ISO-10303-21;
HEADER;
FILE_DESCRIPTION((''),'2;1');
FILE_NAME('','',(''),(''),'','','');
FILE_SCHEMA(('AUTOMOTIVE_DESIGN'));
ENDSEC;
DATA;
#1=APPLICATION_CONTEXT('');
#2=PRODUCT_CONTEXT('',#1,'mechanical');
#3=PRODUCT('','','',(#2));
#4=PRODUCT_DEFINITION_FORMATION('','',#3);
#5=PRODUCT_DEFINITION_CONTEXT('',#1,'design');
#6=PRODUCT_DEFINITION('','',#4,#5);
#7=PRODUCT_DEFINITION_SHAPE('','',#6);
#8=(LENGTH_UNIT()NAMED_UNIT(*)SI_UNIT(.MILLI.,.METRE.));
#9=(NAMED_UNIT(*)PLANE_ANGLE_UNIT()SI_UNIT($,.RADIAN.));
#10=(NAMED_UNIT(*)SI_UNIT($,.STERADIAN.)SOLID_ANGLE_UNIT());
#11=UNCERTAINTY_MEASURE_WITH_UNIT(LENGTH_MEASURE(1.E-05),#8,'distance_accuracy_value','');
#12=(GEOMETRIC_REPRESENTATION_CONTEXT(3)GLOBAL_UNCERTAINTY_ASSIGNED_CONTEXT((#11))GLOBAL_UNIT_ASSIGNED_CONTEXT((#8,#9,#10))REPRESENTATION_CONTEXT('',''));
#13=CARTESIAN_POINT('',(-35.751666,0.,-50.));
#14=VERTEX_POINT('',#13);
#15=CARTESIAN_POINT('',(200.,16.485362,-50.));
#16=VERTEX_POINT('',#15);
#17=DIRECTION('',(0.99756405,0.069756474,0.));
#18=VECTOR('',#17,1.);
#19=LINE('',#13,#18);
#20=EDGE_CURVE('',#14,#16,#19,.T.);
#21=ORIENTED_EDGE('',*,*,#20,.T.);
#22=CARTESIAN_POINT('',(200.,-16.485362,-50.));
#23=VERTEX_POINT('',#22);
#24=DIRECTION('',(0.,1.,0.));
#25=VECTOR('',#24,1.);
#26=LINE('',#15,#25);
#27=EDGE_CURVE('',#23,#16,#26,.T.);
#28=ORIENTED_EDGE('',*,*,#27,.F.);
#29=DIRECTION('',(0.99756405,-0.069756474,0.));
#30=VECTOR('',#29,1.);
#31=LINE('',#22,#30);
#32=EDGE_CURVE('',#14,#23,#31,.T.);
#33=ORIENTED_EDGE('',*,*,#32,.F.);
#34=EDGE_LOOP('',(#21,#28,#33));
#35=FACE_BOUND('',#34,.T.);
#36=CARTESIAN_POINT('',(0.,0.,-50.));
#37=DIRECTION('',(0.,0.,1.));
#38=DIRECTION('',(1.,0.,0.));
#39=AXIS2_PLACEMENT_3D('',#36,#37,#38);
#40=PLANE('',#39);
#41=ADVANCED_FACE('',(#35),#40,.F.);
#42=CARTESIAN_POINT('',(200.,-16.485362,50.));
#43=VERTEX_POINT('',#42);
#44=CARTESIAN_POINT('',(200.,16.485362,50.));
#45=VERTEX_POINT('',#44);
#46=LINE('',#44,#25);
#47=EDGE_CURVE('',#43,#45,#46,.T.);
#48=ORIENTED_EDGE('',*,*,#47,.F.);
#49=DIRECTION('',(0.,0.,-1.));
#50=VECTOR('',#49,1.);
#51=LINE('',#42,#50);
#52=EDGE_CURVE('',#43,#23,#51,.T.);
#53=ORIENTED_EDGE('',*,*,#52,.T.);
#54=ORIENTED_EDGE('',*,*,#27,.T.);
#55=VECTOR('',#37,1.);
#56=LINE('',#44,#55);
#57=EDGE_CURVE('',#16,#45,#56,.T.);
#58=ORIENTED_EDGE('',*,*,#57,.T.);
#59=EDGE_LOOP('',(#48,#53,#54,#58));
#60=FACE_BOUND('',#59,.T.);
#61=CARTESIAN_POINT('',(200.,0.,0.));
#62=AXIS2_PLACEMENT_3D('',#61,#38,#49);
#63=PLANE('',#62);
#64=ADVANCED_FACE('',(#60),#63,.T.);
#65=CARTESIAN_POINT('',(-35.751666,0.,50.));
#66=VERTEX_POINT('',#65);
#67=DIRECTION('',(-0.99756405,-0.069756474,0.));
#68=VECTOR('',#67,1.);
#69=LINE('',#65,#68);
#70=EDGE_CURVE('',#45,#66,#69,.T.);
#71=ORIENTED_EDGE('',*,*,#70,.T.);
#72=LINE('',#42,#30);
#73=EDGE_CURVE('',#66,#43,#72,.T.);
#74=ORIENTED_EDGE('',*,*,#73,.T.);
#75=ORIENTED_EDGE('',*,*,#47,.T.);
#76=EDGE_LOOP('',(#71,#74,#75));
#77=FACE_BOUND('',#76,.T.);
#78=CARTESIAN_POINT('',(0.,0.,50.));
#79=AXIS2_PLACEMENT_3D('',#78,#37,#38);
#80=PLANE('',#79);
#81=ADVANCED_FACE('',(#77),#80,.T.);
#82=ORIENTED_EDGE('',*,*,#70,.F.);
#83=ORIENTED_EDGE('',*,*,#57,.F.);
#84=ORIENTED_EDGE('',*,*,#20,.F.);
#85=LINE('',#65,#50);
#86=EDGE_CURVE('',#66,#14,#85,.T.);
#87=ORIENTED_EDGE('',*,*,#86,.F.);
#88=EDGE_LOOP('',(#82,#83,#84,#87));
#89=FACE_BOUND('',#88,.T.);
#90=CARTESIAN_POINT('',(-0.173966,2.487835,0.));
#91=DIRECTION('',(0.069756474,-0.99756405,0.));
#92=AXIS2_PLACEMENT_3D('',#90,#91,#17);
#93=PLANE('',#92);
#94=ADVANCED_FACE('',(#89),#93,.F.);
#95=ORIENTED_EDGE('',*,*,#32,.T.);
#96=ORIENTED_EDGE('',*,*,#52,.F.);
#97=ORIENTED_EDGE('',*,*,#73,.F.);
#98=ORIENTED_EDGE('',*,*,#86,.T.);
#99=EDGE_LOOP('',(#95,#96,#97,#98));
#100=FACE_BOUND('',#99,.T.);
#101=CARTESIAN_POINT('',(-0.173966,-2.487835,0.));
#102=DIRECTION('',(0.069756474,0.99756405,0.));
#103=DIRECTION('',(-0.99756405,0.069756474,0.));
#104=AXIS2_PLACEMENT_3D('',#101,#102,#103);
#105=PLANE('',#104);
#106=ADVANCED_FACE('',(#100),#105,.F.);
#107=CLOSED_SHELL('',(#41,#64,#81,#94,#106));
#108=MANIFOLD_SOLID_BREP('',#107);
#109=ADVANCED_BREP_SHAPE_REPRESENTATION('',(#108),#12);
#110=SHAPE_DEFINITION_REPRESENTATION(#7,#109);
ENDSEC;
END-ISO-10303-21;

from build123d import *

# Parameters (mm, degrees)
SKETCH2_W = 236.327347182
SKETCH2_H = 100
SKETCH3_W = 236.327347182
SKETCH3_H = 100
SKETCH4_W = 100
SKETCH4_H = 32.970724778


with BuildPart() as body_1:
    # Sketch2 → Surface-Plane1: a flat surface bounded by the sketch
    with BuildSketch(Plane(origin=(-0.173966376, 2.487835086, 0), x_dir=(0.9975640502598243, 0.06975647374412548, 0), z_dir=(0.06975647374412547, -0.9975640502598242, 0)), mode=Mode.PRIVATE) as surface_plane1_1_region:
        with Locations((82.49909721, 0)):
            Rectangle(SKETCH2_W, SKETCH2_H)
    surface_plane1_1 = surface_plane1_1_region.sketch.faces()[0]
    # Sketch7 → Surface-Plane3: a flat surface bounded by the sketch
    with BuildSketch(Plane.XY.offset(50), mode=Mode.PRIVATE) as surface_plane3_2_region:
        Polygon((-35.751665642, 0), (200, 16.485362389), (200, -16.485362389), align=None)
    surface_plane3_2 = surface_plane3_2_region.sketch.faces()[0]
    # Sketch3 → Surface-Plane2: a flat surface bounded by the sketch
    with BuildSketch(Plane(origin=(-0.173966376, -2.487835086, 0), x_dir=(0.9975640502598243, -0.06975647374412548, 0), z_dir=(-0.06975647374412547, -0.9975640502598242, 0)), mode=Mode.PRIVATE) as surface_plane2_3_region:
        with Locations((82.49909721, 0)):
            Rectangle(SKETCH3_W, SKETCH3_H)
    surface_plane2_3 = surface_plane2_3_region.sketch.faces()[0]
    # Sketch4 → Surface-Plane4: a flat surface bounded by the sketch
    with BuildSketch(Plane(origin=(200, 0, 0), x_dir=(0, 0, -1), z_dir=(1, 0, 0)), mode=Mode.PRIVATE) as surface_plane4_4_region:
        Rectangle(SKETCH4_W, SKETCH4_H)
    surface_plane4_4 = surface_plane4_4_region.sketch.faces()[0]
    # Sketch5 → Surface-Plane5: a flat surface bounded by the sketch
    with BuildSketch(Plane.XY.offset(-50), mode=Mode.PRIVATE) as surface_plane5_5_region:
        Polygon((-35.751665642, 0), (200, 16.485362389), (200, -16.485362389), align=None)
    surface_plane5_5 = surface_plane5_5_region.sketch.faces()[0]
    # Surface-Knit1: the surfaces knitted into a closed skin and filled: a solid
    add(Solid(Shell(Face.sew_faces(surface_plane1_1.faces() + surface_plane3_2.faces() + surface_plane2_3.faces() + surface_plane4_4.faces() + surface_plane5_5.faces())[0])))


solid = body_1.part
